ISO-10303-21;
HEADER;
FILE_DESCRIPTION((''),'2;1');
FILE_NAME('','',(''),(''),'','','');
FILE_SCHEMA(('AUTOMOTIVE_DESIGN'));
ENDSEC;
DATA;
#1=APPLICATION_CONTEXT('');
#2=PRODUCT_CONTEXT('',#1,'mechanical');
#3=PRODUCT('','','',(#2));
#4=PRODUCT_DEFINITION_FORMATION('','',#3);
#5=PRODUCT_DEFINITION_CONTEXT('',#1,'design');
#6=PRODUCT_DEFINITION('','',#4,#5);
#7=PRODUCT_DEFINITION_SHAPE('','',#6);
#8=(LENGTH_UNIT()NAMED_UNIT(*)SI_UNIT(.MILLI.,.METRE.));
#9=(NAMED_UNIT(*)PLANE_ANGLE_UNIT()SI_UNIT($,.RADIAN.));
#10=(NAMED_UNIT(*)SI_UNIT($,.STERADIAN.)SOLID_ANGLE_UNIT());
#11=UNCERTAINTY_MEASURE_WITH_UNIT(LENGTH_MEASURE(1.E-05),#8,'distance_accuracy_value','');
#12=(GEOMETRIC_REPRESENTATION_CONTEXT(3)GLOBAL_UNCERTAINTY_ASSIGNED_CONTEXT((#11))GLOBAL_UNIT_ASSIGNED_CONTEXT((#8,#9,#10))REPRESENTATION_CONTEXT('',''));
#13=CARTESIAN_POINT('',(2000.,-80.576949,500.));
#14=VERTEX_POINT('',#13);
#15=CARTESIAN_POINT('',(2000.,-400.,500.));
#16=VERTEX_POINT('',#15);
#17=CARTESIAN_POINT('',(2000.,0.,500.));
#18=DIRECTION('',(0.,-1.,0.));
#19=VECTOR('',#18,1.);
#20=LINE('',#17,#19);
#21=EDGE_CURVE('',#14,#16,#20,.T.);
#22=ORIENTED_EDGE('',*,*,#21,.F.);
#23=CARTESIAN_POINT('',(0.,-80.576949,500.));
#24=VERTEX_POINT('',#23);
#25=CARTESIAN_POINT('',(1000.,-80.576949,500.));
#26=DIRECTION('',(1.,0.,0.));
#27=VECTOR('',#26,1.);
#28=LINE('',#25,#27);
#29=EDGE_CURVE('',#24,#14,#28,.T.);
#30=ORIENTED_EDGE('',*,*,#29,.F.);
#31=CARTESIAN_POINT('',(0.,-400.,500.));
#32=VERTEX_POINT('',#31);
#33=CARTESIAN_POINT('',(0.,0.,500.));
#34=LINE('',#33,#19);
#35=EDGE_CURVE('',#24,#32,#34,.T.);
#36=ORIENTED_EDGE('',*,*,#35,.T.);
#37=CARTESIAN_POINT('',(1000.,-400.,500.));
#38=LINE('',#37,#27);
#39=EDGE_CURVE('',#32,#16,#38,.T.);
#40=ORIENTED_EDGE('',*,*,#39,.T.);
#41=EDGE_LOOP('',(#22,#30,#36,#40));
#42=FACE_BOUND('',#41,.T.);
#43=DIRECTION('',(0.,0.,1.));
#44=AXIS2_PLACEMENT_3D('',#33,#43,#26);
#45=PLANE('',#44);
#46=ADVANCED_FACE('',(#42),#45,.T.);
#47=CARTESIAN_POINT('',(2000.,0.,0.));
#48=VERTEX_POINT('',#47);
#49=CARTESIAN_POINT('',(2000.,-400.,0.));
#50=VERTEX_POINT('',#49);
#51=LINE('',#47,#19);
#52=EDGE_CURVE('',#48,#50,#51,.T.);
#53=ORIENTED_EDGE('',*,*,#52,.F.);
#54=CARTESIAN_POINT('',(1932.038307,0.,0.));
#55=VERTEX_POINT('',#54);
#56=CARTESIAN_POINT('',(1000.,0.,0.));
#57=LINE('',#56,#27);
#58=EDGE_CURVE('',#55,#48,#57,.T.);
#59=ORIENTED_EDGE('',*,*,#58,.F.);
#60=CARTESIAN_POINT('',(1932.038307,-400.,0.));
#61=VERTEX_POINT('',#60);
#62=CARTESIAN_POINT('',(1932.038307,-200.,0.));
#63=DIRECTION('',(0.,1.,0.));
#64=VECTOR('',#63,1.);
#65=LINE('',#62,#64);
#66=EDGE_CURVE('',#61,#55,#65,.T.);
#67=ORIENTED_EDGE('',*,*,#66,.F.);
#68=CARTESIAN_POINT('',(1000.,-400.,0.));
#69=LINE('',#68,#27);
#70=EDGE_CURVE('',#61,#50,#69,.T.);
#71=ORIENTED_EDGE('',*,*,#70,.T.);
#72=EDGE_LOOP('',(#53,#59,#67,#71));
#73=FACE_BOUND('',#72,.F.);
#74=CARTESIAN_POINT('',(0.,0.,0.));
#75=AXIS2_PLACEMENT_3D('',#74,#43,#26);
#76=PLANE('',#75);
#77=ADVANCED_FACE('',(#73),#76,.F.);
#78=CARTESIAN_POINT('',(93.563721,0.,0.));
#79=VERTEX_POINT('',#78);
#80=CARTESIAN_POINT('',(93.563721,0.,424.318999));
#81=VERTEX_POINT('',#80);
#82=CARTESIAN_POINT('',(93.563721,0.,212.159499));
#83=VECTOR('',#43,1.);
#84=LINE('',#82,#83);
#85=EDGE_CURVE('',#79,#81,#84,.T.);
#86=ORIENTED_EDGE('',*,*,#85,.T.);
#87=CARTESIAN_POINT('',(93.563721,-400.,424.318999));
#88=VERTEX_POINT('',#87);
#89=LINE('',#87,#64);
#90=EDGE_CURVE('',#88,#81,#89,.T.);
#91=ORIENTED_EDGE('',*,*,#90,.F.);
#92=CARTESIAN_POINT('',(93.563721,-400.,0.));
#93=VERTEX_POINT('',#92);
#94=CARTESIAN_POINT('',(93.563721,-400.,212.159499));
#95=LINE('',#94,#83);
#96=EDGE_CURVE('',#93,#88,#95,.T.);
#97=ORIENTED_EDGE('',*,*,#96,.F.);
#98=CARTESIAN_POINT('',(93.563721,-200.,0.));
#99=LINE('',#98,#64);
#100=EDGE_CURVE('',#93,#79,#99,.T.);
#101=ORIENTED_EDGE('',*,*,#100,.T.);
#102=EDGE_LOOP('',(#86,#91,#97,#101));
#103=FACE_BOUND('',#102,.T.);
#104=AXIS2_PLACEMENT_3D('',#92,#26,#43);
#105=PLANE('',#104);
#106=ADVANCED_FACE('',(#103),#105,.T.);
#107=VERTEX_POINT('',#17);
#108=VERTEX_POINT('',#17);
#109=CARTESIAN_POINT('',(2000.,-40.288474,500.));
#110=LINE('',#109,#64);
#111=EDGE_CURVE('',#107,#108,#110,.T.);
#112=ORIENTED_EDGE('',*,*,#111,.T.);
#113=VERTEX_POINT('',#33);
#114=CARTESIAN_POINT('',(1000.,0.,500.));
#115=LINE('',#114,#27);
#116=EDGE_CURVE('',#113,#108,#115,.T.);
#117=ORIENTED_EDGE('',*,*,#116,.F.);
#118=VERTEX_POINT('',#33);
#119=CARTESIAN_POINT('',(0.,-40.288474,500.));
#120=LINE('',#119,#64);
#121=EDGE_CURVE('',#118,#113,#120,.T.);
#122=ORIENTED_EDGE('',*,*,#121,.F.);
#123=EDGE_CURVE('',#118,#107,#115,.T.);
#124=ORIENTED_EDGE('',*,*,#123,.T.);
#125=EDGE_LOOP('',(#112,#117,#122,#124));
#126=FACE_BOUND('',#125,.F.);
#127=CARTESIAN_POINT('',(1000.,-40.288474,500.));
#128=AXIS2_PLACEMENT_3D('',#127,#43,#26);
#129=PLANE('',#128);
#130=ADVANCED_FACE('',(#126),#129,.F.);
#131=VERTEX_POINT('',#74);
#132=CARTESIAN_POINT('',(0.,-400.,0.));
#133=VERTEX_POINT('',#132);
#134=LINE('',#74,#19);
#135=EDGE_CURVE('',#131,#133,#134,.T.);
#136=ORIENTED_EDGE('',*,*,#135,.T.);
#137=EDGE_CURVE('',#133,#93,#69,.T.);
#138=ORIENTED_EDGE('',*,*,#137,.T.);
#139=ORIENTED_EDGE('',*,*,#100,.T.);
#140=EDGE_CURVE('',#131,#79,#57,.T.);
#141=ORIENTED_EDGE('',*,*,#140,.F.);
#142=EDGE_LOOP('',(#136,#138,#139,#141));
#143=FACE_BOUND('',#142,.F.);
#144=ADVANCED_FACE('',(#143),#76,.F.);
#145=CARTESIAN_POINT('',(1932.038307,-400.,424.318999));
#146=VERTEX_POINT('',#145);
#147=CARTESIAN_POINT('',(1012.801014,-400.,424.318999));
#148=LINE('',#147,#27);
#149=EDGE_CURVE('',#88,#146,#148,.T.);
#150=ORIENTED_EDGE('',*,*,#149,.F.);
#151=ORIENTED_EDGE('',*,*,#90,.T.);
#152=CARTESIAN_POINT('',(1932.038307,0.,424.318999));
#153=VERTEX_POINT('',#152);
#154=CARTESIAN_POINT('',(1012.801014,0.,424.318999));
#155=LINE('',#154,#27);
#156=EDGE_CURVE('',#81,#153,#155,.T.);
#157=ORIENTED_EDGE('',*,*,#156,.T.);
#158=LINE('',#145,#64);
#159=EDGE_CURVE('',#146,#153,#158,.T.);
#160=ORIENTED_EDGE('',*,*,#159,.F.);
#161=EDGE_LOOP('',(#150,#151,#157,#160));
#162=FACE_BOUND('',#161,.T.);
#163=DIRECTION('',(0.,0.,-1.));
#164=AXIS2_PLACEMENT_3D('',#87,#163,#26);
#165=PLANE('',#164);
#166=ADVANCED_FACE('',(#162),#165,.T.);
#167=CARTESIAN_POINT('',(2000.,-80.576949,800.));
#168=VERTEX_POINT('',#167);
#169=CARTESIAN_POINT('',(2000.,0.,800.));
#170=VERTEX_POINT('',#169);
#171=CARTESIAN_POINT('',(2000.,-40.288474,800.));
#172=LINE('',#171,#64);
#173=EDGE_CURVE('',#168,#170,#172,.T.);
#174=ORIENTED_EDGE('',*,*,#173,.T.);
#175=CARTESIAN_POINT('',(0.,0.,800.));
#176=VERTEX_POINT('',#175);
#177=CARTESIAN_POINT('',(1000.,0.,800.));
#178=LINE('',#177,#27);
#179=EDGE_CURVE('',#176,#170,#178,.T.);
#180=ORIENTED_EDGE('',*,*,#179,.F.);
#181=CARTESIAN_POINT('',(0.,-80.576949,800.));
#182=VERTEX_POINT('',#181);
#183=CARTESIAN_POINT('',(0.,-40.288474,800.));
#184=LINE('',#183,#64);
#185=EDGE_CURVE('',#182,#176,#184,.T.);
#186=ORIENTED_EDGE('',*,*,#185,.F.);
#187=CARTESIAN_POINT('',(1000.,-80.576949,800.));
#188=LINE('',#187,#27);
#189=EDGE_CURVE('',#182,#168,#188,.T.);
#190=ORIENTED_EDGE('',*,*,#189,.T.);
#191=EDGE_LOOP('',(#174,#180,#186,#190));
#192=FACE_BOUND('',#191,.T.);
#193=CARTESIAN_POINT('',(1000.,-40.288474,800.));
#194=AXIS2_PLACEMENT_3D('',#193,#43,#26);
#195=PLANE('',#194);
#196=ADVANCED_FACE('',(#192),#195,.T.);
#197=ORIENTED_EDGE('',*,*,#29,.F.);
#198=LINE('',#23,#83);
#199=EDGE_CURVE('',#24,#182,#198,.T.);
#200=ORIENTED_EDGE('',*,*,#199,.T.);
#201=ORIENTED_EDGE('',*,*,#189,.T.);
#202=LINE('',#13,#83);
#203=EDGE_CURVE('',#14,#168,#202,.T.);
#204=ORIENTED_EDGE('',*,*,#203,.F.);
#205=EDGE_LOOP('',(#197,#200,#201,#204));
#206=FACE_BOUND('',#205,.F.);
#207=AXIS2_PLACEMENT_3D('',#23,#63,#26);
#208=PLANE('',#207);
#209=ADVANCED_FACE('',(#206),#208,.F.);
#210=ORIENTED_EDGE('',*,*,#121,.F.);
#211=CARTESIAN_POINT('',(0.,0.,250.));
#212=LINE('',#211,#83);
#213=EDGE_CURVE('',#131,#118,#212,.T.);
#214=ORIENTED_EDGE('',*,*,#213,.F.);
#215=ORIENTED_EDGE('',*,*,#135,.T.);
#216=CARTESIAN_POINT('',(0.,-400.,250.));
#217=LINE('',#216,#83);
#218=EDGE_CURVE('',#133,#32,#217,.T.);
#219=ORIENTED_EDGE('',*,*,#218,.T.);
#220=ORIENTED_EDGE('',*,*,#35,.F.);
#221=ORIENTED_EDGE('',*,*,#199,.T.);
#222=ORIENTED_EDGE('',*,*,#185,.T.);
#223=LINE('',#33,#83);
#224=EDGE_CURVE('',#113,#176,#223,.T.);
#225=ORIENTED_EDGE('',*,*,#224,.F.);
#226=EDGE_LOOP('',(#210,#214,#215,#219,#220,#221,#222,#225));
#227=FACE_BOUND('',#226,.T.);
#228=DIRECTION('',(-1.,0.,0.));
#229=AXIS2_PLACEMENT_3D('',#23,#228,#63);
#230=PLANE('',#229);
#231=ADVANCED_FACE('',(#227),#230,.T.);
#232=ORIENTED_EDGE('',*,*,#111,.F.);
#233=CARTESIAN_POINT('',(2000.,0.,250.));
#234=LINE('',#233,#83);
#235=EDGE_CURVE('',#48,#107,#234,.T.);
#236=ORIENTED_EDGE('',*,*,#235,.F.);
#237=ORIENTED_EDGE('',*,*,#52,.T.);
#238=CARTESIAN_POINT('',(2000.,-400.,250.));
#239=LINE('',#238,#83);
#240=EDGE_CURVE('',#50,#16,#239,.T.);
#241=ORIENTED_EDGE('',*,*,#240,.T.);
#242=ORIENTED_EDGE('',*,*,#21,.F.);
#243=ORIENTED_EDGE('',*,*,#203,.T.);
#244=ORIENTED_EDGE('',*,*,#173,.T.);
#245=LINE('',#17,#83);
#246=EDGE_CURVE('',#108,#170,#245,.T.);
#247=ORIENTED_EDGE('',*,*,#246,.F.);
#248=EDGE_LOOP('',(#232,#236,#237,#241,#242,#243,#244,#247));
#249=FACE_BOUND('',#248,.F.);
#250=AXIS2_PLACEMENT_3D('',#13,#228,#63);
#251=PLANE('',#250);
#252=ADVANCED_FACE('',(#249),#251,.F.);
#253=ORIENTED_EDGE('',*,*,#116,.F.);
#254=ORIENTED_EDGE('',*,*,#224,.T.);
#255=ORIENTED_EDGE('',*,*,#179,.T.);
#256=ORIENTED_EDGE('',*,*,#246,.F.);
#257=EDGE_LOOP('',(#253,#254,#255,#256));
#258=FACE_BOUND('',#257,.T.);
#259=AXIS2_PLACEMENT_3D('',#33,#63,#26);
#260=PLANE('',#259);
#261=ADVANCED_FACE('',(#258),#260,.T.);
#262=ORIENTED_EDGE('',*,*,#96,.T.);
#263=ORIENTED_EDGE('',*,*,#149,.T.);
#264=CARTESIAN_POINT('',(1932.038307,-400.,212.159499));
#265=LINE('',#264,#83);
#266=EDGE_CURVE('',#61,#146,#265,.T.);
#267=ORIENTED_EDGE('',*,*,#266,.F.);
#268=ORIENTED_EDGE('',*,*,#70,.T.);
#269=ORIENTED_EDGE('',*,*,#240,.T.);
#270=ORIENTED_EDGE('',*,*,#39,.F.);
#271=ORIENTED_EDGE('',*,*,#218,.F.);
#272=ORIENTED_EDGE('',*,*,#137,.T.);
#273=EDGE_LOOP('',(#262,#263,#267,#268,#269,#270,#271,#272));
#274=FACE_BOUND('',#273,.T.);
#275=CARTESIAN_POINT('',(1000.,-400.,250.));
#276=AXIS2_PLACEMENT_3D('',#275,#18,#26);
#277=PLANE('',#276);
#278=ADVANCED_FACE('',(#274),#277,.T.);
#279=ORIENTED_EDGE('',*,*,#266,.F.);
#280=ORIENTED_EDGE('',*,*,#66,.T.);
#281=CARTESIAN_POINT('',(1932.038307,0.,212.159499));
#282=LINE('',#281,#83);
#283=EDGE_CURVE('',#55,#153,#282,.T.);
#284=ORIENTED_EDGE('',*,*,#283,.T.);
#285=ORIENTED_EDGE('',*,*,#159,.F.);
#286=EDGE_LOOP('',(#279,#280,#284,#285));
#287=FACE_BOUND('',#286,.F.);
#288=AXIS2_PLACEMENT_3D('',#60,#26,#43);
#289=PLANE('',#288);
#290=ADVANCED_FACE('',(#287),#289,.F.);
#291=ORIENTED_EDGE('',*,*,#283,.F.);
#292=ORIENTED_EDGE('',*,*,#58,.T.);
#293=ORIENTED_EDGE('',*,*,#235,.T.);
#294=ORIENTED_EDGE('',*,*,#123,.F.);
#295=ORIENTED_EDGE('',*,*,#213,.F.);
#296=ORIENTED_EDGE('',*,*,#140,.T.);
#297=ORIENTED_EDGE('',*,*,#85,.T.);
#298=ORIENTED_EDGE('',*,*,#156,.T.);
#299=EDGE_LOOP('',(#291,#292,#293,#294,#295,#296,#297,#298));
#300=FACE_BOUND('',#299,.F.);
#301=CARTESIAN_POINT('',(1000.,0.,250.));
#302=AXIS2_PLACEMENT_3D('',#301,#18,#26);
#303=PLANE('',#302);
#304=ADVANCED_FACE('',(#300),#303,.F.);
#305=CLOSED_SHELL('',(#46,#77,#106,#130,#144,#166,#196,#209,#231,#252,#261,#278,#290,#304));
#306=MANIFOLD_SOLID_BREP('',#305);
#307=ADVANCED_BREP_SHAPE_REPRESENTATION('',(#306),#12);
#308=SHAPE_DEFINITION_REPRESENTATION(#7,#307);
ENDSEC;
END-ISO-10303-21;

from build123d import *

# Parameters (mm, degrees)
F0_W     = 2000
F0_H     = 500
F1_DEPTH = 400
F2_W     = 1838.474586
F2_H     = 424.318999
F3_DEPTH = 400
F4_W     = 2000
F4_H     = 80.576949
F5_DEPTH = 300


with BuildPart() as f1:
    # F0 (on Front) → F1 (new body)
    with BuildSketch(Plane.XZ):
        with Locations((1000, 250)):
            Rectangle(F0_W, F0_H)
    extrude(amount=F1_DEPTH)

    # F2 (on face) → F3 (cut, through all)
    with BuildSketch(Plane.XZ.offset(400)):
        with Locations((1012.801014, 212.159499)):
            Rectangle(F2_W, F2_H)
    extrude(amount=-F3_DEPTH, mode=Mode.SUBTRACT)

    # F4 (on face) → F5 (join)
    with BuildSketch(Plane.XY.offset(500)):
        with Locations((1000, -40.288474)):
            Rectangle(F4_W, F4_H)
    extrude(amount=F5_DEPTH)


solid = f1.part
